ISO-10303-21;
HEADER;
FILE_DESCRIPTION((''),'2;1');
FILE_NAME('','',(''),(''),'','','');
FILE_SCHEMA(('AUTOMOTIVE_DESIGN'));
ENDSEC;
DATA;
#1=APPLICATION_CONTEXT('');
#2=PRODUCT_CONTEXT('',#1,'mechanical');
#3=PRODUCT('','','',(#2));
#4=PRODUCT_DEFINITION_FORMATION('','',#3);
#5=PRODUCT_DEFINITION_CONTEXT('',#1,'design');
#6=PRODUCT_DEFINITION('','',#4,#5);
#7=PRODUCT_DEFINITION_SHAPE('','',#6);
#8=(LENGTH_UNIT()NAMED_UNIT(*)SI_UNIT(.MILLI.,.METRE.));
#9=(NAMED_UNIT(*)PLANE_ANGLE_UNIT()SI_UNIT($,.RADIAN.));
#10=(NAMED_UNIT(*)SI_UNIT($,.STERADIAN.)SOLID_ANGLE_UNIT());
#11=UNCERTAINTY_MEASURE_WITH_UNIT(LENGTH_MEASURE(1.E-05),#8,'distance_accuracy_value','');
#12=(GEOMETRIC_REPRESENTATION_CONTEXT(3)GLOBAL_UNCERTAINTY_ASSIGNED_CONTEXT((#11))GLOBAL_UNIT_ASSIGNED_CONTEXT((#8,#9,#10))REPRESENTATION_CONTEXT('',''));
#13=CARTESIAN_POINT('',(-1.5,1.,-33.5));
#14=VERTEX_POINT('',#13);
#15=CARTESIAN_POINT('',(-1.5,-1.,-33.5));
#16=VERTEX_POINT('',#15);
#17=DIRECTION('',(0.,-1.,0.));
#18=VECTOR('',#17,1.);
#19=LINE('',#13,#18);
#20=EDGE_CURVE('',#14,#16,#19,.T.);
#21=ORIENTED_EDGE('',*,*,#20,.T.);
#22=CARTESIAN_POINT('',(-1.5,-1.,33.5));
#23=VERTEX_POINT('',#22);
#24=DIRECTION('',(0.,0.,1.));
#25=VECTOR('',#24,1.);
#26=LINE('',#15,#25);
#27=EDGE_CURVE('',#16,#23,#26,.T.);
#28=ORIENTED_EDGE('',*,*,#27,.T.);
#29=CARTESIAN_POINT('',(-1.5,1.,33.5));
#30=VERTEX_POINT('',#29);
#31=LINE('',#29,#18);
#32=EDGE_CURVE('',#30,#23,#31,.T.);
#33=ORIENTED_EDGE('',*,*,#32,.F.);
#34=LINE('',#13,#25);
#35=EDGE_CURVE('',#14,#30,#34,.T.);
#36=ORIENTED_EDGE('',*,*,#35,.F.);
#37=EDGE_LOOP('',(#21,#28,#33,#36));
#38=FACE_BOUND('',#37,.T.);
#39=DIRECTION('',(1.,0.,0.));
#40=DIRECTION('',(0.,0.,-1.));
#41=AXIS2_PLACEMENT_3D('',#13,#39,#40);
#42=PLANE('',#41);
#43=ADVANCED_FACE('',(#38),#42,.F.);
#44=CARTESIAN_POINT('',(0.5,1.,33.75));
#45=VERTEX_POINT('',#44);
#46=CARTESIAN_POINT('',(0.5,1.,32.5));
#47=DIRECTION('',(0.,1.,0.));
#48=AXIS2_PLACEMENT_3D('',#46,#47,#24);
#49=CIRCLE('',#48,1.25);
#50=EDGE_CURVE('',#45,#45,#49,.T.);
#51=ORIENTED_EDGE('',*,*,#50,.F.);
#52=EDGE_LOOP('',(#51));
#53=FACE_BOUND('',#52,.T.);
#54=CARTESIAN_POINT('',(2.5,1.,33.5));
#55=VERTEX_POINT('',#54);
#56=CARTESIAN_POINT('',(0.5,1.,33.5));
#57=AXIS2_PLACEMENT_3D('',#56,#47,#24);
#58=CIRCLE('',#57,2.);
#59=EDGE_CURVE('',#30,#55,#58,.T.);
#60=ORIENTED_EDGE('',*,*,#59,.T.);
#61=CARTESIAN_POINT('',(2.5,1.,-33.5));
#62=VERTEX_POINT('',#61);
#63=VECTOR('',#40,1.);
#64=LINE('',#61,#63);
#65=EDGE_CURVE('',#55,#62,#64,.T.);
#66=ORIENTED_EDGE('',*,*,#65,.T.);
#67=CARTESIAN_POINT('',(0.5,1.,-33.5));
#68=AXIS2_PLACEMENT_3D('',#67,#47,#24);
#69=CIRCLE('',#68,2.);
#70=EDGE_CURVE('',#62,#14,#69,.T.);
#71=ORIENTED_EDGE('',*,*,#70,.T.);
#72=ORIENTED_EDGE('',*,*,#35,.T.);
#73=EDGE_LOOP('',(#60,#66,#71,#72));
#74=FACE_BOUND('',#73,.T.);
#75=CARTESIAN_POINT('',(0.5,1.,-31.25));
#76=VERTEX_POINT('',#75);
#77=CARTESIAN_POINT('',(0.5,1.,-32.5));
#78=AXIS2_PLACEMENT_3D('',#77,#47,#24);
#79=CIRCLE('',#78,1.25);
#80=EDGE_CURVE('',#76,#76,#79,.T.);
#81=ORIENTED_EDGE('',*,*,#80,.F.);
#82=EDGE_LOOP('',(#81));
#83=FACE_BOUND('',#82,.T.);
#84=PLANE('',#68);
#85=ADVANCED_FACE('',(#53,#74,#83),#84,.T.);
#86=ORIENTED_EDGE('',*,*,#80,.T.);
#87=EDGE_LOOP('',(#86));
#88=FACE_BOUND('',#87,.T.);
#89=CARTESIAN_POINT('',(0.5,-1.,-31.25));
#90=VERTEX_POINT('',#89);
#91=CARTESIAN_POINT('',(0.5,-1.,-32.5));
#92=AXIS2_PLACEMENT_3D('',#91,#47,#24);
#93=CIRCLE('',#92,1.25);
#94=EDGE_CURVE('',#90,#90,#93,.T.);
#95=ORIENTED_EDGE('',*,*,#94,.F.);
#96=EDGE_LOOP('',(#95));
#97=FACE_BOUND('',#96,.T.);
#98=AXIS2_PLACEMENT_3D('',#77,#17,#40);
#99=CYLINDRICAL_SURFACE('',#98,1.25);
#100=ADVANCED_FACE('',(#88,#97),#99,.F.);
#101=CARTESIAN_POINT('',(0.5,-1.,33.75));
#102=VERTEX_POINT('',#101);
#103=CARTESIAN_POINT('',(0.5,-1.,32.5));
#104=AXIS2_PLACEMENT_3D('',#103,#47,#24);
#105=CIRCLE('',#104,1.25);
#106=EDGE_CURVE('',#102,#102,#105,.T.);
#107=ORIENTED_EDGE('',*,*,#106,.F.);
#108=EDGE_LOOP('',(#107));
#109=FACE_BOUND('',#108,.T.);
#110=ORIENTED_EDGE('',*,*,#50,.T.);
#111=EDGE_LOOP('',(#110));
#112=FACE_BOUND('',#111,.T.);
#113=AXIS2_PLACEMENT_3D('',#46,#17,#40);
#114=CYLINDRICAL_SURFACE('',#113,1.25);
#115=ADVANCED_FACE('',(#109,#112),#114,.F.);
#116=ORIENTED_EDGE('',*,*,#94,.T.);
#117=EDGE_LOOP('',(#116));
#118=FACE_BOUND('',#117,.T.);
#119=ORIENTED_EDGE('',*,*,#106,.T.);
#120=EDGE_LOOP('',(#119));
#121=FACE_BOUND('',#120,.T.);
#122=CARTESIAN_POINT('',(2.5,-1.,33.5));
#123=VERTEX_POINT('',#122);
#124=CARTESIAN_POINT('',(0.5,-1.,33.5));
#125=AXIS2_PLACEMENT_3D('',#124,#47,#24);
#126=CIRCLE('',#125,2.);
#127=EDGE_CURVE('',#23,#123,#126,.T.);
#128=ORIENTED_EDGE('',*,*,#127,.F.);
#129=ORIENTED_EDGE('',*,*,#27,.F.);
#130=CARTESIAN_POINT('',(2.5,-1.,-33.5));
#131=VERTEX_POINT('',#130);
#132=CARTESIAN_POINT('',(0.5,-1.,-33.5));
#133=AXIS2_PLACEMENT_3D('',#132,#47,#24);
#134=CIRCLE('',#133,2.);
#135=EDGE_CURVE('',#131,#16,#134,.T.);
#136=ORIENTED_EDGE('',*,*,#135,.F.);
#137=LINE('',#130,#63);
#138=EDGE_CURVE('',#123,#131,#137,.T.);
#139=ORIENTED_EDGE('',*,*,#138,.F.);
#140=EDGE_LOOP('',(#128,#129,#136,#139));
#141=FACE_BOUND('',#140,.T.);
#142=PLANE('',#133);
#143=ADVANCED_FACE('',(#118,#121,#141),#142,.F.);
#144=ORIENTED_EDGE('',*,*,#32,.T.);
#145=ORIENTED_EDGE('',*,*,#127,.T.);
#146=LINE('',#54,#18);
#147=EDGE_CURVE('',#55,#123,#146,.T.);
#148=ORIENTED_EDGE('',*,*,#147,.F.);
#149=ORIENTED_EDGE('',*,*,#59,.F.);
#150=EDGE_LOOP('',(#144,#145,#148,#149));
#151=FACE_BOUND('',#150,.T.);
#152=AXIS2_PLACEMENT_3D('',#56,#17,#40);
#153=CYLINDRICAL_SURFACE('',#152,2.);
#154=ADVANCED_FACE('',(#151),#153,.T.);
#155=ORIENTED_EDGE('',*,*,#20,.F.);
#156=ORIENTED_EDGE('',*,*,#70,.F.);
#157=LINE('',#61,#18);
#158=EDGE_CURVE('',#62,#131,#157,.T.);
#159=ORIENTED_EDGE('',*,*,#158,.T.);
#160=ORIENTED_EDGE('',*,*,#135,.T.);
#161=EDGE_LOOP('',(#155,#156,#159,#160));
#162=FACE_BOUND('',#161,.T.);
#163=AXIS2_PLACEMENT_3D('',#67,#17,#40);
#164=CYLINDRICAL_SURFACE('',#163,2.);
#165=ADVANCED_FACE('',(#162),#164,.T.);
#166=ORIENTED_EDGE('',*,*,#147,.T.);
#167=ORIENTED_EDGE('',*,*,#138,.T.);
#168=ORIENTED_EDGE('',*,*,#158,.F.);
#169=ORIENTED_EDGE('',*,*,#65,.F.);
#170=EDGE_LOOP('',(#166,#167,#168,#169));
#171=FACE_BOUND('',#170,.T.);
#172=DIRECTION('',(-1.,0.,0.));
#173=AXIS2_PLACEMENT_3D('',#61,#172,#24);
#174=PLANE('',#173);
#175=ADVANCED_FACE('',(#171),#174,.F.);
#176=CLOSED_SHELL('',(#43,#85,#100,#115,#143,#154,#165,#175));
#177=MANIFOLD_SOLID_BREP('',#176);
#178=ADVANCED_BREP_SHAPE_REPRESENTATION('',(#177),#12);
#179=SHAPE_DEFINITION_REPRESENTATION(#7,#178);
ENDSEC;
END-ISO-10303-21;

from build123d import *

# Parameters (mm, degrees)
SKETCH1_R           = 1.25
BOSS_EXTRUDE1_DEPTH = 1


with BuildPart() as part:
    # Sketch1 → Boss-Extrude1 (new, symmetric)
    with BuildSketch(Plane(origin=(0, 0, 0), x_dir=(1, 0, 0), z_dir=(0, 1, 0))):
        with BuildLine():
            Line((-1.5, 33.5), (-1.5, -33.5))
            ThreePointArc((-1.5, -33.5), (0.5, -35.5), (2.5, -33.5))
            Line((2.5, -33.5), (2.5, 33.5))
            ThreePointArc((2.5, 33.5), (0.5, 35.5), (-1.5, 33.5))
        make_face()
        with Locations(Location((0.5, 32.5, 0), (0, 0, 270))):
            Circle(SKETCH1_R, mode=Mode.SUBTRACT)
        with Locations(Location((0.5, -32.5, 0), (0, 0, 270))):
            Circle(SKETCH1_R, mode=Mode.SUBTRACT)
    extrude(amount=BOSS_EXTRUDE1_DEPTH, both=True)


solid = part.part
